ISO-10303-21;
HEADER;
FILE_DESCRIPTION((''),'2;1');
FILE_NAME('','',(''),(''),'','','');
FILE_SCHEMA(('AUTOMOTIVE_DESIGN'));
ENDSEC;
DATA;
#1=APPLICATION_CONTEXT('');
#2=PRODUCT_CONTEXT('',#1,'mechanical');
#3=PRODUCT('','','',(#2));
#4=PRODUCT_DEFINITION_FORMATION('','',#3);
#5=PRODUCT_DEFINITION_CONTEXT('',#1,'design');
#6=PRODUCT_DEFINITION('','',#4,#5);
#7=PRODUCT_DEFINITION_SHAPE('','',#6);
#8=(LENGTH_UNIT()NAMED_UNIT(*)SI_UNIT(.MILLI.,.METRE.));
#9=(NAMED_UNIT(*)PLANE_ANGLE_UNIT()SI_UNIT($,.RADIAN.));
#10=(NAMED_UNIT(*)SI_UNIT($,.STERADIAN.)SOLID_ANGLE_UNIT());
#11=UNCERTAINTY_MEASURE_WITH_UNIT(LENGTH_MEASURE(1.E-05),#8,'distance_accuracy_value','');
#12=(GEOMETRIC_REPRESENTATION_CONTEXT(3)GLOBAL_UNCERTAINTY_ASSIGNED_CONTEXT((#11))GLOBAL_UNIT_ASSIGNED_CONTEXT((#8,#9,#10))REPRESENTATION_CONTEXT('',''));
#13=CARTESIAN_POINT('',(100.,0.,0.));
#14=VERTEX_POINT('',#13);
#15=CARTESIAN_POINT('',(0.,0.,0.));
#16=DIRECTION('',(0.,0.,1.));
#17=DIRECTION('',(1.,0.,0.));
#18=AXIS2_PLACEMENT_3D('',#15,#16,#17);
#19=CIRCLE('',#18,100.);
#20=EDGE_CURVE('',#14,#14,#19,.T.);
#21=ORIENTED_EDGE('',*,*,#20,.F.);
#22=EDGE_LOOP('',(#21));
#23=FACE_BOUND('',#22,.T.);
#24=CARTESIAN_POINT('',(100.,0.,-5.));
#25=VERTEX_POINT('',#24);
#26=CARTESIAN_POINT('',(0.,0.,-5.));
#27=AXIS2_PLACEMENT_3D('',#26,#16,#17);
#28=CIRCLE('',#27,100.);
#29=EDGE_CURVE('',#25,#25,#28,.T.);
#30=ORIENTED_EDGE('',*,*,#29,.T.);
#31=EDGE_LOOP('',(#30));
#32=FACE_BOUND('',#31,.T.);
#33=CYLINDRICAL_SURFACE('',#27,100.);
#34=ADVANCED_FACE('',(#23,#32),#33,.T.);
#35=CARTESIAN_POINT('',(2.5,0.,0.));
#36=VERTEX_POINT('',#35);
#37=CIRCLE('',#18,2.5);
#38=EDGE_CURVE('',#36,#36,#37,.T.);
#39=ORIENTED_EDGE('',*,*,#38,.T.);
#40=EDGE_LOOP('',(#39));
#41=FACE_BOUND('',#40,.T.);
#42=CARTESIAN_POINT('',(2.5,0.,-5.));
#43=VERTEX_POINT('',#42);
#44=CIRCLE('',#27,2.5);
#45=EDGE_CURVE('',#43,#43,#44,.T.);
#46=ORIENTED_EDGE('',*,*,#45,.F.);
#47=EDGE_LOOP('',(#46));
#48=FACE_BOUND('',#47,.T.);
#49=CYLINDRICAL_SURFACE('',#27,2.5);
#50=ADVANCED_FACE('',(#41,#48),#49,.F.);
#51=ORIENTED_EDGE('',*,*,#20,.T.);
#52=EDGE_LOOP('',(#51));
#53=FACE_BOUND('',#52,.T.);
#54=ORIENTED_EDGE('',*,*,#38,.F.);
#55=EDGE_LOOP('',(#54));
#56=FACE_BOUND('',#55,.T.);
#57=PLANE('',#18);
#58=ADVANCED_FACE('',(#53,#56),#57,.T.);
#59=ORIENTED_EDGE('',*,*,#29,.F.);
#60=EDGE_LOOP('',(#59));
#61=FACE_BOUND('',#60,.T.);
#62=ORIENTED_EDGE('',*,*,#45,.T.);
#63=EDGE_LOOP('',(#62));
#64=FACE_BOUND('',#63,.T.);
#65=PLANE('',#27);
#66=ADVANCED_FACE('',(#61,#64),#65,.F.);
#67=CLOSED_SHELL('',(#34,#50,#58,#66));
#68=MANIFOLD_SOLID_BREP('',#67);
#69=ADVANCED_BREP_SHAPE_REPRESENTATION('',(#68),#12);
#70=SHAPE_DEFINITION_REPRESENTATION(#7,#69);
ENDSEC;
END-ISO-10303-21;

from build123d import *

# Parameters (mm, degrees)
SKETCH1_R           = 100
SKETCH1_R_2         = 2.5
BOSS_EXTRUDE1_DEPTH = 5


with BuildPart() as part:
    # Sketch1 → Boss-Extrude1 (new body)
    with BuildSketch(Plane.XY):
        Circle(SKETCH1_R)
        Circle(SKETCH1_R_2, mode=Mode.SUBTRACT)
    extrude(amount=-BOSS_EXTRUDE1_DEPTH)


solid = part.part
